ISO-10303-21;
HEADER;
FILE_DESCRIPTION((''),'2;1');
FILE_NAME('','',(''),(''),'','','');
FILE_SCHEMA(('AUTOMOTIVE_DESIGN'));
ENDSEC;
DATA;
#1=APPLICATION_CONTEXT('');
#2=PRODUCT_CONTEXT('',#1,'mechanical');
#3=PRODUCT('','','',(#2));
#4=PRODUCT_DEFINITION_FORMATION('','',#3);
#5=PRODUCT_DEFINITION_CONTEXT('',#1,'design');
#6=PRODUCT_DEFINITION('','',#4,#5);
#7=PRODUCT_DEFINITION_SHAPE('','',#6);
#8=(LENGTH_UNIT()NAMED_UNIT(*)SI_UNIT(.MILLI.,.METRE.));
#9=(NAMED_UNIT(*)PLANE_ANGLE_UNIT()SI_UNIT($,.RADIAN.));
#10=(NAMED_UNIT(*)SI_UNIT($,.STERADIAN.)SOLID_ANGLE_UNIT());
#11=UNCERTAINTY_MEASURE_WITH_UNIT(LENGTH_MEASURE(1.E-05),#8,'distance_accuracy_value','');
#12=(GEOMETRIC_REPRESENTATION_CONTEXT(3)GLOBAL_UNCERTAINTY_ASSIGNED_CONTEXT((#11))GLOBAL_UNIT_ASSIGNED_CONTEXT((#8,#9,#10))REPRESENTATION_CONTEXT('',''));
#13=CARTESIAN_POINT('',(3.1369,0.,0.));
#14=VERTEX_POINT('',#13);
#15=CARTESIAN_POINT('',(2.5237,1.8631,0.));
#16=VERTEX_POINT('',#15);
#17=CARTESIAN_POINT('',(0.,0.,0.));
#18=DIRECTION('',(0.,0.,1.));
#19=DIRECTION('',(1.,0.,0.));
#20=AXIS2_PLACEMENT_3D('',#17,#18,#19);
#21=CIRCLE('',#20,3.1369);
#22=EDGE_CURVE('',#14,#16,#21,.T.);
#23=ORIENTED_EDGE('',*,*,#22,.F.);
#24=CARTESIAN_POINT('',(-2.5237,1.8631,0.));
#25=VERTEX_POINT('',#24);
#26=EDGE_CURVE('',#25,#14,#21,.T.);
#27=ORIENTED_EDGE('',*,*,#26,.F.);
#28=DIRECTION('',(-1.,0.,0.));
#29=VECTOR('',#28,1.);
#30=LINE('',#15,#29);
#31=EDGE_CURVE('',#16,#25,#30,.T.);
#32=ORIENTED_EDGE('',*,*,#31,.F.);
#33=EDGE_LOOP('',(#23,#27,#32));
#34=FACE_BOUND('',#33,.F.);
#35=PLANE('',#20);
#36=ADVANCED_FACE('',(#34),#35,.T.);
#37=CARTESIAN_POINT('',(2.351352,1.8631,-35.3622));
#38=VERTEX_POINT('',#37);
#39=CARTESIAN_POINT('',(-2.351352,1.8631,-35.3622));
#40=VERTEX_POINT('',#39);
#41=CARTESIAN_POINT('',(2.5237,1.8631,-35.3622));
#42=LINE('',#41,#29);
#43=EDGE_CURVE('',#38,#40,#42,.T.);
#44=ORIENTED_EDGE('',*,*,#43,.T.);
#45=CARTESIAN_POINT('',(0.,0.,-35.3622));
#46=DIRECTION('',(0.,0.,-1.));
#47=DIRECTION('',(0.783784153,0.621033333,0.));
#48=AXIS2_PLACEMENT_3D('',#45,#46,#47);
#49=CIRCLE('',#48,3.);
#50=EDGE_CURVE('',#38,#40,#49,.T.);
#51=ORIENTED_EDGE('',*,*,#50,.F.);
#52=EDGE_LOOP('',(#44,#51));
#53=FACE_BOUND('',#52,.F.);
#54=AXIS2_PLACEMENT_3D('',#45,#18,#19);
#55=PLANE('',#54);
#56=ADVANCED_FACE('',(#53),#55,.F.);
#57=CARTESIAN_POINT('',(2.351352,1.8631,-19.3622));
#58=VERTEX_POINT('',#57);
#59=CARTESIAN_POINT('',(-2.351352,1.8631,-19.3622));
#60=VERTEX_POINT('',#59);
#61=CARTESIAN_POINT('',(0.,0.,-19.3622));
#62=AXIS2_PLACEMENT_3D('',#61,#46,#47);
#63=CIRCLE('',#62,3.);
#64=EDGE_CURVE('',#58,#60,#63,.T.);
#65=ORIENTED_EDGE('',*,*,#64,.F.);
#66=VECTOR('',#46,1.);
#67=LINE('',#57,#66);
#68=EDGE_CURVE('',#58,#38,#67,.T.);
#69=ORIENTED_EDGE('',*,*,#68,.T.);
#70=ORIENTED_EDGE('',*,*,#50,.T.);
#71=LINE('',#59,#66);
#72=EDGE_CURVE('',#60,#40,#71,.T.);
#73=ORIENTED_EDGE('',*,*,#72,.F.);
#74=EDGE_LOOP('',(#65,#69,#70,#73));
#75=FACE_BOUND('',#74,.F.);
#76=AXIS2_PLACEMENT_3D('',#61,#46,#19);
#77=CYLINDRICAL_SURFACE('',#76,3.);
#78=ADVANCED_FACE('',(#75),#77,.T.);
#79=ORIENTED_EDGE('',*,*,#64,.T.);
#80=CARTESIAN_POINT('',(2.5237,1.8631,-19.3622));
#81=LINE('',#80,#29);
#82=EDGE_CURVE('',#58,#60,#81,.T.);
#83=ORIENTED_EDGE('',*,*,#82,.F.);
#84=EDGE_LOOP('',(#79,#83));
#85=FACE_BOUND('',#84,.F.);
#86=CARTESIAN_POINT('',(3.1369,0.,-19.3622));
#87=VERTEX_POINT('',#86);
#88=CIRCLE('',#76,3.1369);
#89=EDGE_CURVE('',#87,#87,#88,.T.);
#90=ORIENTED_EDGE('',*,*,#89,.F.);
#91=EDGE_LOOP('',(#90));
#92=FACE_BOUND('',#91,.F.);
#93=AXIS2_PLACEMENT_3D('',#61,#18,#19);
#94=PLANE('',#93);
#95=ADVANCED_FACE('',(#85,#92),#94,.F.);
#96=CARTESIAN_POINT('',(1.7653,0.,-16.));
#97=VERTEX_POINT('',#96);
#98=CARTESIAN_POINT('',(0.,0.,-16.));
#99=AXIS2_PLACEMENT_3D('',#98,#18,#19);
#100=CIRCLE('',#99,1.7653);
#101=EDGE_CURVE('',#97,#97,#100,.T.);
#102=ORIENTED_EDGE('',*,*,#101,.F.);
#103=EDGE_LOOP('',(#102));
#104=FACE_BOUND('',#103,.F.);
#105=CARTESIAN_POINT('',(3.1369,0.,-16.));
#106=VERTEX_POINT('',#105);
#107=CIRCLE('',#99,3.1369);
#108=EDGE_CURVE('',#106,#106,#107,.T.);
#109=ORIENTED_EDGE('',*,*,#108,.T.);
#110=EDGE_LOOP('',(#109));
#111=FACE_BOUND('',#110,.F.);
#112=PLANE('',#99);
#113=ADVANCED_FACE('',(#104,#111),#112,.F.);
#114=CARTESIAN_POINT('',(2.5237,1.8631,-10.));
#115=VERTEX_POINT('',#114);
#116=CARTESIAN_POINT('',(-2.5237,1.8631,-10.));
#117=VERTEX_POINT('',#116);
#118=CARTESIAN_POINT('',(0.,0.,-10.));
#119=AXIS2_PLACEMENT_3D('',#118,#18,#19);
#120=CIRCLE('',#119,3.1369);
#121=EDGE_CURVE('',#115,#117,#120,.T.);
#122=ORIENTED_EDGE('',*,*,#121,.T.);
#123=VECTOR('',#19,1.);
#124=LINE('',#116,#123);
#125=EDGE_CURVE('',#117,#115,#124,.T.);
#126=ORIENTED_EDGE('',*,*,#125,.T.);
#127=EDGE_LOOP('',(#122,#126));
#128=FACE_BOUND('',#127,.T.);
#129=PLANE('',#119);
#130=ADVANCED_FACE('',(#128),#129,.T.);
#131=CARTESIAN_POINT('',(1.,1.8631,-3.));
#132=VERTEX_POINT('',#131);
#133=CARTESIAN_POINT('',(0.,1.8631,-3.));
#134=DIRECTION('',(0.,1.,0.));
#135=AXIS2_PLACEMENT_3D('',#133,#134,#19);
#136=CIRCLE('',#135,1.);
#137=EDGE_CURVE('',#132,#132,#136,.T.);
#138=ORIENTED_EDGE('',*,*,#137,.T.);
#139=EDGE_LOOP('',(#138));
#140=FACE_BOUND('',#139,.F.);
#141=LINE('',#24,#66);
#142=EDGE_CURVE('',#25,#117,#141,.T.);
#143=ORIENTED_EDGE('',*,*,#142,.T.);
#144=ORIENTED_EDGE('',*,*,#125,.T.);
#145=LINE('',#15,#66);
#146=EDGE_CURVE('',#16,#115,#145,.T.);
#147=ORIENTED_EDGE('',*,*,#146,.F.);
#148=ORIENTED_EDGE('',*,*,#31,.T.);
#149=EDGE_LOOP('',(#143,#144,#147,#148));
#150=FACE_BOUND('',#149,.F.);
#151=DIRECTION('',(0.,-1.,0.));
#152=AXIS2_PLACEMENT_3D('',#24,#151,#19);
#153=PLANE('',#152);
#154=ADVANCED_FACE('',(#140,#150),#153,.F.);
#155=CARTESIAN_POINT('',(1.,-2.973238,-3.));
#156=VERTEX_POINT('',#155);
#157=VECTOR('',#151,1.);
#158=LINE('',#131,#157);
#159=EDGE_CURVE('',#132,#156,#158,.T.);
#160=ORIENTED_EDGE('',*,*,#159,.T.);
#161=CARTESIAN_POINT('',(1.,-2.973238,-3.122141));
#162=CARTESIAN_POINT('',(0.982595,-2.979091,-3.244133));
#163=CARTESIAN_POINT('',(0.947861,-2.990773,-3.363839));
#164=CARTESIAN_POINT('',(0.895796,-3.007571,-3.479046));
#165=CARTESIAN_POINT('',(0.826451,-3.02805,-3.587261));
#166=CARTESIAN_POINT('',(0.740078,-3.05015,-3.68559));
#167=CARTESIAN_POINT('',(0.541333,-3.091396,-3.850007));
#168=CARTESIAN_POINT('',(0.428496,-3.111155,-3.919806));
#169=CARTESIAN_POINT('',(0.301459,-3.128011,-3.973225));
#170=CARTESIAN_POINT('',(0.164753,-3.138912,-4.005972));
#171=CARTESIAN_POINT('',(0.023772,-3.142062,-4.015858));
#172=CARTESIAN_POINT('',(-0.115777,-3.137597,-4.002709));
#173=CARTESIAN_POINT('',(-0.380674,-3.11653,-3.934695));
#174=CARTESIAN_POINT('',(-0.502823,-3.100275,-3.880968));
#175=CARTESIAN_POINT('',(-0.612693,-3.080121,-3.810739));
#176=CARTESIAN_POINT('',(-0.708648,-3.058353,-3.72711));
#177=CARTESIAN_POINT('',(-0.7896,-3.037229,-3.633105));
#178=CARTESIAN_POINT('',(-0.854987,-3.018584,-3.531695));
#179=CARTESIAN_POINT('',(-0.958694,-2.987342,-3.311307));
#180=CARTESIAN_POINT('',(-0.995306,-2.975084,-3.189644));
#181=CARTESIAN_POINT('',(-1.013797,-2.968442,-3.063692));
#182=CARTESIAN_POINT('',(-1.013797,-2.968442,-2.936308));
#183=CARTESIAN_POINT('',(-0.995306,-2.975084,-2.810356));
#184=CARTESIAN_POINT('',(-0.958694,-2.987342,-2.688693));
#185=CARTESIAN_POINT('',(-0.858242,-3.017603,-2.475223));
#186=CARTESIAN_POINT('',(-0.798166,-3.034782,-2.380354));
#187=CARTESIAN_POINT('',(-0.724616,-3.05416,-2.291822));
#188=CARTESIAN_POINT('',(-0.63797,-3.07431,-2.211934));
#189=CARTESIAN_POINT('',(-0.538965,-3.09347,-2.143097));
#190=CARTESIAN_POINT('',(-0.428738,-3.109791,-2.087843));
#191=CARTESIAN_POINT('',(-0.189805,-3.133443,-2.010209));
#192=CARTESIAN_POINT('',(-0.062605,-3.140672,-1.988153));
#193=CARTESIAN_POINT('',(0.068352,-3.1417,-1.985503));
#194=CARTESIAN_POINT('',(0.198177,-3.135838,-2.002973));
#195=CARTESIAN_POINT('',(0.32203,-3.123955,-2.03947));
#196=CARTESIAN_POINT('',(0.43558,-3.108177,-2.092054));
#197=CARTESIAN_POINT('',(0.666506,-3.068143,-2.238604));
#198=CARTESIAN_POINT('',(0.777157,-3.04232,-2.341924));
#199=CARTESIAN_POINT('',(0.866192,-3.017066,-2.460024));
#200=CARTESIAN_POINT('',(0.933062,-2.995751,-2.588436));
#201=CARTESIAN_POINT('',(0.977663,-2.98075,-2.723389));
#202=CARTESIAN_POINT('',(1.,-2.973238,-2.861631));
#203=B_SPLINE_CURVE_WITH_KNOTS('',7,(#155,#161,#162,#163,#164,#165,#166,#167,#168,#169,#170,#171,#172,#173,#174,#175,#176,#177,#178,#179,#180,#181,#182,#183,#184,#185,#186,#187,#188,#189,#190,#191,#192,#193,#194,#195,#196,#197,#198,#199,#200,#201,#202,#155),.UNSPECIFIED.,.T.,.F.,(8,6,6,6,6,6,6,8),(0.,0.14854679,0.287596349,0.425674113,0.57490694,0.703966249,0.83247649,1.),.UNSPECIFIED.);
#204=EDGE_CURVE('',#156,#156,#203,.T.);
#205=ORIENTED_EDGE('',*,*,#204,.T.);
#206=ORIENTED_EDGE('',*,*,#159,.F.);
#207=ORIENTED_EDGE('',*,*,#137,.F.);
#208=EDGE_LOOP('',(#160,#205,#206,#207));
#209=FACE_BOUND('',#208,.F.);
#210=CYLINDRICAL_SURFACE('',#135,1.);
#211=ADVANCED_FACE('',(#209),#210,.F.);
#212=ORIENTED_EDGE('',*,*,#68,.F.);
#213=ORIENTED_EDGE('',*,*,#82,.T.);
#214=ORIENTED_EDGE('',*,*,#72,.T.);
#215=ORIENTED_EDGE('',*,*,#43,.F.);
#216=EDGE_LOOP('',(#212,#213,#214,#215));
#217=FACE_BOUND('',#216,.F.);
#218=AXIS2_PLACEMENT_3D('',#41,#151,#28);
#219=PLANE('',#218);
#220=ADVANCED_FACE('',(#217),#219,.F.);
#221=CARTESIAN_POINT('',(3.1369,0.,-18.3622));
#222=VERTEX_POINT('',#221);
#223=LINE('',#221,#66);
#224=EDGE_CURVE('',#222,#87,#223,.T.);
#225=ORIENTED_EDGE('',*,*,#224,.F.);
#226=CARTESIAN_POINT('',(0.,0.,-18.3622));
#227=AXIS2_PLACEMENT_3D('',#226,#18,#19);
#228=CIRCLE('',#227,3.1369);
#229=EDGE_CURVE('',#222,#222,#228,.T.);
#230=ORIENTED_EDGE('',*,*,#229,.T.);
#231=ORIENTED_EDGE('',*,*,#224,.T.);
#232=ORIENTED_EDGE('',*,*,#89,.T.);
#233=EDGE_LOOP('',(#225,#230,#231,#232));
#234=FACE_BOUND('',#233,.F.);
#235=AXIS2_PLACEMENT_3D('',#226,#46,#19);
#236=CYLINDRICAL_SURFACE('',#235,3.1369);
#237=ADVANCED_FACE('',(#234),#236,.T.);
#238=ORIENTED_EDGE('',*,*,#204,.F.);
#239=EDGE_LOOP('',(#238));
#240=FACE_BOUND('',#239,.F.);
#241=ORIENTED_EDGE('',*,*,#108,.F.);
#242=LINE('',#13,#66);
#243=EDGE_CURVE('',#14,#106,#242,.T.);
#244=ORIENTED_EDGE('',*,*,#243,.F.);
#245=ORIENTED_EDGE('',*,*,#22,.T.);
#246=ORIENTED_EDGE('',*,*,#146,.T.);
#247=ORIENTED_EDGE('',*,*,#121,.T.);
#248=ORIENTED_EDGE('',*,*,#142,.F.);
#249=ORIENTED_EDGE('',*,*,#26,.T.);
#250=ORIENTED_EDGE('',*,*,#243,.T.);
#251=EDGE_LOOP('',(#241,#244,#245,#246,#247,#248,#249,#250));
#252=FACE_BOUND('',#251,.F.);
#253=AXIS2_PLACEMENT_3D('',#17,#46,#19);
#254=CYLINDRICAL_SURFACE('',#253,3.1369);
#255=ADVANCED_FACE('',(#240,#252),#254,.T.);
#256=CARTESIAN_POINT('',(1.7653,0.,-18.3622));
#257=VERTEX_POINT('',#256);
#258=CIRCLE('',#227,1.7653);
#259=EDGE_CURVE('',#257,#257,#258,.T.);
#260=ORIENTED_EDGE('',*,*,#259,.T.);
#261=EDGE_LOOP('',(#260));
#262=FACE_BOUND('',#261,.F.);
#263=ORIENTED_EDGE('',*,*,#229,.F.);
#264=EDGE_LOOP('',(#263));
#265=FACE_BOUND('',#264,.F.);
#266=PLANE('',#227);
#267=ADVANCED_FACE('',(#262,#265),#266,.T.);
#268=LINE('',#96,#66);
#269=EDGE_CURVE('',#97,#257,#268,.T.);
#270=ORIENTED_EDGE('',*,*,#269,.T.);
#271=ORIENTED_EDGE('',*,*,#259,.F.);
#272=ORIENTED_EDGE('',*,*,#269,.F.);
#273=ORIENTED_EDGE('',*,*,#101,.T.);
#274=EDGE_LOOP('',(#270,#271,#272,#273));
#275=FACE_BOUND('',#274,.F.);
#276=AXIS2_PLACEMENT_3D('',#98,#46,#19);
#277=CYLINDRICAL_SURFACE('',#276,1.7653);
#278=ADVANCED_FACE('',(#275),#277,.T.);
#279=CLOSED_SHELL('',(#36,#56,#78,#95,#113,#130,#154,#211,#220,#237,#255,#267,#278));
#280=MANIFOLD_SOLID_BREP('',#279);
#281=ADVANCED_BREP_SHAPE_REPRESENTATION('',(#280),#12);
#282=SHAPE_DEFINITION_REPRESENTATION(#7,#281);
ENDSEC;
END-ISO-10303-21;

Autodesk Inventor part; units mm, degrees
ref_plane "YZ Plane" through (0, 0, 0) normal (1, 0, 0) x (0, 1, 0)
ref_plane "XZ Plane" through (0, 0, 0) normal (0, 1, 0) x (-1, 0, 0)
ref_plane "XY Plane" through (0, 0, 0) normal (0, 0, 1) x (1, 0, 0)
sketch "Sketch1" plane through (0, 0, 0) normal (0, 1, 0) x (-1, 0, 0)
  line L0 (0, 0) -> (-2, 0)
  line L1 (-2, 0) -> (-3.1369, 0)
  line L2 (-3.1369, 0) -> (-3.1369, -16)
  line L3 (-3.1369, -16) -> (-1.7653, -16)
  line L4 (-1.7653, -16) -> (-1.7653, -18.3622)
  line L5 (-1.7653, -18.3622) -> (-3.1369, -18.3622)
  line L6 (-3.1369, -18.3622) -> (-3.1369, -19.3622)
  line L7 (-2, 0) -> (0, 0)
  line L8 (-2, 0) -> (0, 0)
  line L9 (-3.1369, -19.3622) -> (-3, -19.3622)
  line L10 (-3, -19.3622) -> (-3, -35.3622)
  line L11 (-3, -35.3622) -> (0, -35.3622)
  line L12 (0, -35.3622) -> (0, 0)
  dimension "d1" = 0
  dimension "d2" = 16
  dimension "d3" = 2.3622
  dimension "d6" = 3.1369
  dimension "d8" = 3
  dimension "d13" = 1
  dimension "d29" = 1.7653
  dimension "d30" = 16
revolve "Revolution1" add sketch "Sketch1" angle 360 about axis through (0, 0, -35.3622) along (0, 0, 1)
thread "Thread1" size "M6x1" class "6g" standard "ANSI Metric M Profile" full length
sketch "Sketch3" plane through (0, 0, 0) normal (0, 0, 1) x (1, 0, 0)
  circle A0 centre (0, 0) radius 3.1369 projected
  line L0 (-2.4166, -2) -> (2.4166, -2)
  line L1 (-2.5237, 1.8631) -> (2.5237, 1.8631)
  arc A1 (2.4166, -2) -> (2.5237, 1.8631) centre (0, 0) ccw
  arc A2 (-2.5237, 1.8631) -> (-2.4166, -2) centre (0, 0) ccw
  point P0 (0, 0)
  dimension "d36" = 5
extrude "Extrusion1" cut sketch "Sketch3" against normal blind 10 contours L1 A0
sketch "Sketch4" plane through (-2.5237, 1.8631, 0) normal (0, 1, 0) x (1, 0, 0)
  circle A0 centre (2.5237, 3) radius 1
  point P0 (2.5237, 0)
  dimension "d23" = 2
  dimension "d24" = 3
extrude "Extrusion2" cut sketch "Sketch4" against normal blind 10
thread "Thread2" size "M2x0.4" class "6H" standard "ANSI Metric M Profile" full length
sketch "Sketch5" plane through (0, 0, -35.3622) normal (0, 0, -1) x (-1, 0, 0)
  circle A0 centre (0, 0) radius 3.1369 projected
  line L0 (-2.5237, 1.8631) -> (2.5258, 1.8631)
  line L1 (2.5258, 1.8631) -> (2.5258, 4.5959)
  line L2 (2.5258, 4.5959) -> (-2.5237, 4.5959)
  line L3 (-2.5237, 4.5959) -> (-2.5237, 1.8631)
  point P0 (0, 0)
  dimension "d33" = 5
extrude "Extrusion3" cut sketch "Sketch5" against normal blind 16 contours L0 A0 | A0 L3 L2 L1 picked at (-0.6375, 2.3533)
properties part number "rod"
